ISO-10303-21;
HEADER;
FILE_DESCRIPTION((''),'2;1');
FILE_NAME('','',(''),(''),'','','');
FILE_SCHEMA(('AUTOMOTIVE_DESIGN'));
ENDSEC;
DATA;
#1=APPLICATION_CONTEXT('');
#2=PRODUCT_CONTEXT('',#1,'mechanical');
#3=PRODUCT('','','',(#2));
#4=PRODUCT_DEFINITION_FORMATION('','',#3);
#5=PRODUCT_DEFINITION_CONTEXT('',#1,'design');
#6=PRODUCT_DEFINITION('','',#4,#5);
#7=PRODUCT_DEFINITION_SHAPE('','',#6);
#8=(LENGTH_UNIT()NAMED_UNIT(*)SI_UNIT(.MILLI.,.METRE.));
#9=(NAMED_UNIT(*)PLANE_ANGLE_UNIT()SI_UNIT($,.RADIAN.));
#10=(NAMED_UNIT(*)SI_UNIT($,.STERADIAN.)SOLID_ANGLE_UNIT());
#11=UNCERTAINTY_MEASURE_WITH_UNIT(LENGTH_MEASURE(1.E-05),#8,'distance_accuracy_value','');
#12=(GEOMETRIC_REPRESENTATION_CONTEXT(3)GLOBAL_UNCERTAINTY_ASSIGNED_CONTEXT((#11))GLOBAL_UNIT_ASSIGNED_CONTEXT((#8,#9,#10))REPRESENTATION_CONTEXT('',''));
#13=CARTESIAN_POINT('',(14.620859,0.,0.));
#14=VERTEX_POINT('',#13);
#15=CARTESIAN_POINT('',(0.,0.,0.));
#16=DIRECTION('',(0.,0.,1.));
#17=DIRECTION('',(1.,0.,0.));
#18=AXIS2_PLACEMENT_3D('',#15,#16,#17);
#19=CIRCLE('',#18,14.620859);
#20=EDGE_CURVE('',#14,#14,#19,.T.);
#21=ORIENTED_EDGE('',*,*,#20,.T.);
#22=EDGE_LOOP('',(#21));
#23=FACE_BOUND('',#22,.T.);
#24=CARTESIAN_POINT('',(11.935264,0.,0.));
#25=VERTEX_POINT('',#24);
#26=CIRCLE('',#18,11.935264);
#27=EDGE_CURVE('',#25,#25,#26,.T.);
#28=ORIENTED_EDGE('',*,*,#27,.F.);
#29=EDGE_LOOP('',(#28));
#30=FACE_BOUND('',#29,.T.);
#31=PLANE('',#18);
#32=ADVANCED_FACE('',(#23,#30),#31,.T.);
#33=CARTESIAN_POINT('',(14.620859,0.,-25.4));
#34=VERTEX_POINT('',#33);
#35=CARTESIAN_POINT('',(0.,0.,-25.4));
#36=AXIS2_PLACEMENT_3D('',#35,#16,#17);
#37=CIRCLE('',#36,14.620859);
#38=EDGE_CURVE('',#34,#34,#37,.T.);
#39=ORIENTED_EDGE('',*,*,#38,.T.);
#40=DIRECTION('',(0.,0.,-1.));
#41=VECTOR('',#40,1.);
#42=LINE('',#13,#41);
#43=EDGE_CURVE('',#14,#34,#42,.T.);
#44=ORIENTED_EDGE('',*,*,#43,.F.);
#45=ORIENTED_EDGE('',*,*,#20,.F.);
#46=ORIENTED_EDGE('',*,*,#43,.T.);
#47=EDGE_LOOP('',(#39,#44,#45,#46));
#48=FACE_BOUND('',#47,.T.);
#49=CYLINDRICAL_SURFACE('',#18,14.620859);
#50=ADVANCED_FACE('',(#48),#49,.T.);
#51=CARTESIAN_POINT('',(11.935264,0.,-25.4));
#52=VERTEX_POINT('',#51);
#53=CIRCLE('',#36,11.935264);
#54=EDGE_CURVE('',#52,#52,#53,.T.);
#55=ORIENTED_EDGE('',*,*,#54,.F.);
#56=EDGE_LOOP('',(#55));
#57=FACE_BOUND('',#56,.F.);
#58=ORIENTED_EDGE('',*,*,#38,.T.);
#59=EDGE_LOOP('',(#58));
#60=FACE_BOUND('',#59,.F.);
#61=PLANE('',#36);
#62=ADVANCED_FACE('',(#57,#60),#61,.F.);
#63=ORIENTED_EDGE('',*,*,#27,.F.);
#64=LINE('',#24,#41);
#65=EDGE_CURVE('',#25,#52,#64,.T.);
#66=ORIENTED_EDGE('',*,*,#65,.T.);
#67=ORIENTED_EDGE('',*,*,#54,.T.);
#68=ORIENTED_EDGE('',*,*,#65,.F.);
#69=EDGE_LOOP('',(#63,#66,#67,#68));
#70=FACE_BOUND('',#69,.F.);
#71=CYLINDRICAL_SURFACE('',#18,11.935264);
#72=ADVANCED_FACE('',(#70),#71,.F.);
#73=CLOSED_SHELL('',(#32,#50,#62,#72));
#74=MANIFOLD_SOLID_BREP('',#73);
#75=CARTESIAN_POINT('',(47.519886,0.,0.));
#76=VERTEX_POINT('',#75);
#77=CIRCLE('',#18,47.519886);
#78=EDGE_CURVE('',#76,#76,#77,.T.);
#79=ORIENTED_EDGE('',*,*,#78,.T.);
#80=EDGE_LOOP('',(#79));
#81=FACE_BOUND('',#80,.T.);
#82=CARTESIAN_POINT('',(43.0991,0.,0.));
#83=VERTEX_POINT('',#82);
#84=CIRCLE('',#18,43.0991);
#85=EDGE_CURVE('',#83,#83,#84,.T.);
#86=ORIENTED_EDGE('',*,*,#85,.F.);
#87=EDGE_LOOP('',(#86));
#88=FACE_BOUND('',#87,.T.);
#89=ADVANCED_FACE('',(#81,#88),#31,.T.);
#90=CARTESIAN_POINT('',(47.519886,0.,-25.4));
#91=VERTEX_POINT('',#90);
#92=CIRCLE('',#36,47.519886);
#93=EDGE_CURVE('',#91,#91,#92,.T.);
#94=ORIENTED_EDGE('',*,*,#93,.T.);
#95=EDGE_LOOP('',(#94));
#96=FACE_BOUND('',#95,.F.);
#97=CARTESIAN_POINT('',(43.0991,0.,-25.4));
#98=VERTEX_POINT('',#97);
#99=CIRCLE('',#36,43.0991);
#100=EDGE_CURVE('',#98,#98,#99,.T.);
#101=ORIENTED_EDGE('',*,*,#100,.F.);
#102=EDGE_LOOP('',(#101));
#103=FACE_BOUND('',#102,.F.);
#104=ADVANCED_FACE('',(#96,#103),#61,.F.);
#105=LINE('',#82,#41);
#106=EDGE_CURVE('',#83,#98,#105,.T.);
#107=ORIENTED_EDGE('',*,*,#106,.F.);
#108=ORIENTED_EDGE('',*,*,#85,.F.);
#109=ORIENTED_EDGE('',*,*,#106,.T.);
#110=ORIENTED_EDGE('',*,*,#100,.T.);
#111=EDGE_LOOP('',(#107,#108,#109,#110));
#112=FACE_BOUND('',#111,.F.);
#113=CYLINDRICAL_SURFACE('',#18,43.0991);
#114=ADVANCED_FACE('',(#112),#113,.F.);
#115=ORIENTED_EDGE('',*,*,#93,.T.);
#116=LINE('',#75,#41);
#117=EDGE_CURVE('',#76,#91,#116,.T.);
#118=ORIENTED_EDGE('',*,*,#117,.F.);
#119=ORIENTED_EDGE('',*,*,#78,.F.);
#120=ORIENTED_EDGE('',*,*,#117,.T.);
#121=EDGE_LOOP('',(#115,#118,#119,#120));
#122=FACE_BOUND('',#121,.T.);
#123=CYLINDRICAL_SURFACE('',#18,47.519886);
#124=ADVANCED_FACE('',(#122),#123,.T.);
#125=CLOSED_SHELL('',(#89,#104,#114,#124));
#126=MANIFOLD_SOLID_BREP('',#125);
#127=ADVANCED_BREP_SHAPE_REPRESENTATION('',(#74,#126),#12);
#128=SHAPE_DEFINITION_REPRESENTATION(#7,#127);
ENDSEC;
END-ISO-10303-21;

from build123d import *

# Parameters (mm, degrees)
F0_R     = 47.519886
F1_DEPTH = 25.4
F2_R     = 43.0991
F3_DEPTH = 25.4
F5_R     = 14.620859
F5_R_2   = 11.935264
F6_DEPTH = 25.4


with BuildPart() as f1:
    # F0 (on Top) → F1 (new body)
    with BuildSketch(Plane.XY):
        Circle(F0_R)
    extrude(amount=-F1_DEPTH)

    # F2 (on face) → F3 (cut)
    with BuildSketch(Plane.XY):
        Circle(F2_R)
    extrude(amount=-F3_DEPTH, mode=Mode.SUBTRACT)


with BuildPart() as f6:
    # F5 (on face) → F6 (new body)
    with BuildSketch(Plane.XY):
        Circle(F5_R)
        Circle(F5_R_2, mode=Mode.SUBTRACT)
    extrude(amount=-F6_DEPTH)


solid = Compound([f1.part, f6.part])
